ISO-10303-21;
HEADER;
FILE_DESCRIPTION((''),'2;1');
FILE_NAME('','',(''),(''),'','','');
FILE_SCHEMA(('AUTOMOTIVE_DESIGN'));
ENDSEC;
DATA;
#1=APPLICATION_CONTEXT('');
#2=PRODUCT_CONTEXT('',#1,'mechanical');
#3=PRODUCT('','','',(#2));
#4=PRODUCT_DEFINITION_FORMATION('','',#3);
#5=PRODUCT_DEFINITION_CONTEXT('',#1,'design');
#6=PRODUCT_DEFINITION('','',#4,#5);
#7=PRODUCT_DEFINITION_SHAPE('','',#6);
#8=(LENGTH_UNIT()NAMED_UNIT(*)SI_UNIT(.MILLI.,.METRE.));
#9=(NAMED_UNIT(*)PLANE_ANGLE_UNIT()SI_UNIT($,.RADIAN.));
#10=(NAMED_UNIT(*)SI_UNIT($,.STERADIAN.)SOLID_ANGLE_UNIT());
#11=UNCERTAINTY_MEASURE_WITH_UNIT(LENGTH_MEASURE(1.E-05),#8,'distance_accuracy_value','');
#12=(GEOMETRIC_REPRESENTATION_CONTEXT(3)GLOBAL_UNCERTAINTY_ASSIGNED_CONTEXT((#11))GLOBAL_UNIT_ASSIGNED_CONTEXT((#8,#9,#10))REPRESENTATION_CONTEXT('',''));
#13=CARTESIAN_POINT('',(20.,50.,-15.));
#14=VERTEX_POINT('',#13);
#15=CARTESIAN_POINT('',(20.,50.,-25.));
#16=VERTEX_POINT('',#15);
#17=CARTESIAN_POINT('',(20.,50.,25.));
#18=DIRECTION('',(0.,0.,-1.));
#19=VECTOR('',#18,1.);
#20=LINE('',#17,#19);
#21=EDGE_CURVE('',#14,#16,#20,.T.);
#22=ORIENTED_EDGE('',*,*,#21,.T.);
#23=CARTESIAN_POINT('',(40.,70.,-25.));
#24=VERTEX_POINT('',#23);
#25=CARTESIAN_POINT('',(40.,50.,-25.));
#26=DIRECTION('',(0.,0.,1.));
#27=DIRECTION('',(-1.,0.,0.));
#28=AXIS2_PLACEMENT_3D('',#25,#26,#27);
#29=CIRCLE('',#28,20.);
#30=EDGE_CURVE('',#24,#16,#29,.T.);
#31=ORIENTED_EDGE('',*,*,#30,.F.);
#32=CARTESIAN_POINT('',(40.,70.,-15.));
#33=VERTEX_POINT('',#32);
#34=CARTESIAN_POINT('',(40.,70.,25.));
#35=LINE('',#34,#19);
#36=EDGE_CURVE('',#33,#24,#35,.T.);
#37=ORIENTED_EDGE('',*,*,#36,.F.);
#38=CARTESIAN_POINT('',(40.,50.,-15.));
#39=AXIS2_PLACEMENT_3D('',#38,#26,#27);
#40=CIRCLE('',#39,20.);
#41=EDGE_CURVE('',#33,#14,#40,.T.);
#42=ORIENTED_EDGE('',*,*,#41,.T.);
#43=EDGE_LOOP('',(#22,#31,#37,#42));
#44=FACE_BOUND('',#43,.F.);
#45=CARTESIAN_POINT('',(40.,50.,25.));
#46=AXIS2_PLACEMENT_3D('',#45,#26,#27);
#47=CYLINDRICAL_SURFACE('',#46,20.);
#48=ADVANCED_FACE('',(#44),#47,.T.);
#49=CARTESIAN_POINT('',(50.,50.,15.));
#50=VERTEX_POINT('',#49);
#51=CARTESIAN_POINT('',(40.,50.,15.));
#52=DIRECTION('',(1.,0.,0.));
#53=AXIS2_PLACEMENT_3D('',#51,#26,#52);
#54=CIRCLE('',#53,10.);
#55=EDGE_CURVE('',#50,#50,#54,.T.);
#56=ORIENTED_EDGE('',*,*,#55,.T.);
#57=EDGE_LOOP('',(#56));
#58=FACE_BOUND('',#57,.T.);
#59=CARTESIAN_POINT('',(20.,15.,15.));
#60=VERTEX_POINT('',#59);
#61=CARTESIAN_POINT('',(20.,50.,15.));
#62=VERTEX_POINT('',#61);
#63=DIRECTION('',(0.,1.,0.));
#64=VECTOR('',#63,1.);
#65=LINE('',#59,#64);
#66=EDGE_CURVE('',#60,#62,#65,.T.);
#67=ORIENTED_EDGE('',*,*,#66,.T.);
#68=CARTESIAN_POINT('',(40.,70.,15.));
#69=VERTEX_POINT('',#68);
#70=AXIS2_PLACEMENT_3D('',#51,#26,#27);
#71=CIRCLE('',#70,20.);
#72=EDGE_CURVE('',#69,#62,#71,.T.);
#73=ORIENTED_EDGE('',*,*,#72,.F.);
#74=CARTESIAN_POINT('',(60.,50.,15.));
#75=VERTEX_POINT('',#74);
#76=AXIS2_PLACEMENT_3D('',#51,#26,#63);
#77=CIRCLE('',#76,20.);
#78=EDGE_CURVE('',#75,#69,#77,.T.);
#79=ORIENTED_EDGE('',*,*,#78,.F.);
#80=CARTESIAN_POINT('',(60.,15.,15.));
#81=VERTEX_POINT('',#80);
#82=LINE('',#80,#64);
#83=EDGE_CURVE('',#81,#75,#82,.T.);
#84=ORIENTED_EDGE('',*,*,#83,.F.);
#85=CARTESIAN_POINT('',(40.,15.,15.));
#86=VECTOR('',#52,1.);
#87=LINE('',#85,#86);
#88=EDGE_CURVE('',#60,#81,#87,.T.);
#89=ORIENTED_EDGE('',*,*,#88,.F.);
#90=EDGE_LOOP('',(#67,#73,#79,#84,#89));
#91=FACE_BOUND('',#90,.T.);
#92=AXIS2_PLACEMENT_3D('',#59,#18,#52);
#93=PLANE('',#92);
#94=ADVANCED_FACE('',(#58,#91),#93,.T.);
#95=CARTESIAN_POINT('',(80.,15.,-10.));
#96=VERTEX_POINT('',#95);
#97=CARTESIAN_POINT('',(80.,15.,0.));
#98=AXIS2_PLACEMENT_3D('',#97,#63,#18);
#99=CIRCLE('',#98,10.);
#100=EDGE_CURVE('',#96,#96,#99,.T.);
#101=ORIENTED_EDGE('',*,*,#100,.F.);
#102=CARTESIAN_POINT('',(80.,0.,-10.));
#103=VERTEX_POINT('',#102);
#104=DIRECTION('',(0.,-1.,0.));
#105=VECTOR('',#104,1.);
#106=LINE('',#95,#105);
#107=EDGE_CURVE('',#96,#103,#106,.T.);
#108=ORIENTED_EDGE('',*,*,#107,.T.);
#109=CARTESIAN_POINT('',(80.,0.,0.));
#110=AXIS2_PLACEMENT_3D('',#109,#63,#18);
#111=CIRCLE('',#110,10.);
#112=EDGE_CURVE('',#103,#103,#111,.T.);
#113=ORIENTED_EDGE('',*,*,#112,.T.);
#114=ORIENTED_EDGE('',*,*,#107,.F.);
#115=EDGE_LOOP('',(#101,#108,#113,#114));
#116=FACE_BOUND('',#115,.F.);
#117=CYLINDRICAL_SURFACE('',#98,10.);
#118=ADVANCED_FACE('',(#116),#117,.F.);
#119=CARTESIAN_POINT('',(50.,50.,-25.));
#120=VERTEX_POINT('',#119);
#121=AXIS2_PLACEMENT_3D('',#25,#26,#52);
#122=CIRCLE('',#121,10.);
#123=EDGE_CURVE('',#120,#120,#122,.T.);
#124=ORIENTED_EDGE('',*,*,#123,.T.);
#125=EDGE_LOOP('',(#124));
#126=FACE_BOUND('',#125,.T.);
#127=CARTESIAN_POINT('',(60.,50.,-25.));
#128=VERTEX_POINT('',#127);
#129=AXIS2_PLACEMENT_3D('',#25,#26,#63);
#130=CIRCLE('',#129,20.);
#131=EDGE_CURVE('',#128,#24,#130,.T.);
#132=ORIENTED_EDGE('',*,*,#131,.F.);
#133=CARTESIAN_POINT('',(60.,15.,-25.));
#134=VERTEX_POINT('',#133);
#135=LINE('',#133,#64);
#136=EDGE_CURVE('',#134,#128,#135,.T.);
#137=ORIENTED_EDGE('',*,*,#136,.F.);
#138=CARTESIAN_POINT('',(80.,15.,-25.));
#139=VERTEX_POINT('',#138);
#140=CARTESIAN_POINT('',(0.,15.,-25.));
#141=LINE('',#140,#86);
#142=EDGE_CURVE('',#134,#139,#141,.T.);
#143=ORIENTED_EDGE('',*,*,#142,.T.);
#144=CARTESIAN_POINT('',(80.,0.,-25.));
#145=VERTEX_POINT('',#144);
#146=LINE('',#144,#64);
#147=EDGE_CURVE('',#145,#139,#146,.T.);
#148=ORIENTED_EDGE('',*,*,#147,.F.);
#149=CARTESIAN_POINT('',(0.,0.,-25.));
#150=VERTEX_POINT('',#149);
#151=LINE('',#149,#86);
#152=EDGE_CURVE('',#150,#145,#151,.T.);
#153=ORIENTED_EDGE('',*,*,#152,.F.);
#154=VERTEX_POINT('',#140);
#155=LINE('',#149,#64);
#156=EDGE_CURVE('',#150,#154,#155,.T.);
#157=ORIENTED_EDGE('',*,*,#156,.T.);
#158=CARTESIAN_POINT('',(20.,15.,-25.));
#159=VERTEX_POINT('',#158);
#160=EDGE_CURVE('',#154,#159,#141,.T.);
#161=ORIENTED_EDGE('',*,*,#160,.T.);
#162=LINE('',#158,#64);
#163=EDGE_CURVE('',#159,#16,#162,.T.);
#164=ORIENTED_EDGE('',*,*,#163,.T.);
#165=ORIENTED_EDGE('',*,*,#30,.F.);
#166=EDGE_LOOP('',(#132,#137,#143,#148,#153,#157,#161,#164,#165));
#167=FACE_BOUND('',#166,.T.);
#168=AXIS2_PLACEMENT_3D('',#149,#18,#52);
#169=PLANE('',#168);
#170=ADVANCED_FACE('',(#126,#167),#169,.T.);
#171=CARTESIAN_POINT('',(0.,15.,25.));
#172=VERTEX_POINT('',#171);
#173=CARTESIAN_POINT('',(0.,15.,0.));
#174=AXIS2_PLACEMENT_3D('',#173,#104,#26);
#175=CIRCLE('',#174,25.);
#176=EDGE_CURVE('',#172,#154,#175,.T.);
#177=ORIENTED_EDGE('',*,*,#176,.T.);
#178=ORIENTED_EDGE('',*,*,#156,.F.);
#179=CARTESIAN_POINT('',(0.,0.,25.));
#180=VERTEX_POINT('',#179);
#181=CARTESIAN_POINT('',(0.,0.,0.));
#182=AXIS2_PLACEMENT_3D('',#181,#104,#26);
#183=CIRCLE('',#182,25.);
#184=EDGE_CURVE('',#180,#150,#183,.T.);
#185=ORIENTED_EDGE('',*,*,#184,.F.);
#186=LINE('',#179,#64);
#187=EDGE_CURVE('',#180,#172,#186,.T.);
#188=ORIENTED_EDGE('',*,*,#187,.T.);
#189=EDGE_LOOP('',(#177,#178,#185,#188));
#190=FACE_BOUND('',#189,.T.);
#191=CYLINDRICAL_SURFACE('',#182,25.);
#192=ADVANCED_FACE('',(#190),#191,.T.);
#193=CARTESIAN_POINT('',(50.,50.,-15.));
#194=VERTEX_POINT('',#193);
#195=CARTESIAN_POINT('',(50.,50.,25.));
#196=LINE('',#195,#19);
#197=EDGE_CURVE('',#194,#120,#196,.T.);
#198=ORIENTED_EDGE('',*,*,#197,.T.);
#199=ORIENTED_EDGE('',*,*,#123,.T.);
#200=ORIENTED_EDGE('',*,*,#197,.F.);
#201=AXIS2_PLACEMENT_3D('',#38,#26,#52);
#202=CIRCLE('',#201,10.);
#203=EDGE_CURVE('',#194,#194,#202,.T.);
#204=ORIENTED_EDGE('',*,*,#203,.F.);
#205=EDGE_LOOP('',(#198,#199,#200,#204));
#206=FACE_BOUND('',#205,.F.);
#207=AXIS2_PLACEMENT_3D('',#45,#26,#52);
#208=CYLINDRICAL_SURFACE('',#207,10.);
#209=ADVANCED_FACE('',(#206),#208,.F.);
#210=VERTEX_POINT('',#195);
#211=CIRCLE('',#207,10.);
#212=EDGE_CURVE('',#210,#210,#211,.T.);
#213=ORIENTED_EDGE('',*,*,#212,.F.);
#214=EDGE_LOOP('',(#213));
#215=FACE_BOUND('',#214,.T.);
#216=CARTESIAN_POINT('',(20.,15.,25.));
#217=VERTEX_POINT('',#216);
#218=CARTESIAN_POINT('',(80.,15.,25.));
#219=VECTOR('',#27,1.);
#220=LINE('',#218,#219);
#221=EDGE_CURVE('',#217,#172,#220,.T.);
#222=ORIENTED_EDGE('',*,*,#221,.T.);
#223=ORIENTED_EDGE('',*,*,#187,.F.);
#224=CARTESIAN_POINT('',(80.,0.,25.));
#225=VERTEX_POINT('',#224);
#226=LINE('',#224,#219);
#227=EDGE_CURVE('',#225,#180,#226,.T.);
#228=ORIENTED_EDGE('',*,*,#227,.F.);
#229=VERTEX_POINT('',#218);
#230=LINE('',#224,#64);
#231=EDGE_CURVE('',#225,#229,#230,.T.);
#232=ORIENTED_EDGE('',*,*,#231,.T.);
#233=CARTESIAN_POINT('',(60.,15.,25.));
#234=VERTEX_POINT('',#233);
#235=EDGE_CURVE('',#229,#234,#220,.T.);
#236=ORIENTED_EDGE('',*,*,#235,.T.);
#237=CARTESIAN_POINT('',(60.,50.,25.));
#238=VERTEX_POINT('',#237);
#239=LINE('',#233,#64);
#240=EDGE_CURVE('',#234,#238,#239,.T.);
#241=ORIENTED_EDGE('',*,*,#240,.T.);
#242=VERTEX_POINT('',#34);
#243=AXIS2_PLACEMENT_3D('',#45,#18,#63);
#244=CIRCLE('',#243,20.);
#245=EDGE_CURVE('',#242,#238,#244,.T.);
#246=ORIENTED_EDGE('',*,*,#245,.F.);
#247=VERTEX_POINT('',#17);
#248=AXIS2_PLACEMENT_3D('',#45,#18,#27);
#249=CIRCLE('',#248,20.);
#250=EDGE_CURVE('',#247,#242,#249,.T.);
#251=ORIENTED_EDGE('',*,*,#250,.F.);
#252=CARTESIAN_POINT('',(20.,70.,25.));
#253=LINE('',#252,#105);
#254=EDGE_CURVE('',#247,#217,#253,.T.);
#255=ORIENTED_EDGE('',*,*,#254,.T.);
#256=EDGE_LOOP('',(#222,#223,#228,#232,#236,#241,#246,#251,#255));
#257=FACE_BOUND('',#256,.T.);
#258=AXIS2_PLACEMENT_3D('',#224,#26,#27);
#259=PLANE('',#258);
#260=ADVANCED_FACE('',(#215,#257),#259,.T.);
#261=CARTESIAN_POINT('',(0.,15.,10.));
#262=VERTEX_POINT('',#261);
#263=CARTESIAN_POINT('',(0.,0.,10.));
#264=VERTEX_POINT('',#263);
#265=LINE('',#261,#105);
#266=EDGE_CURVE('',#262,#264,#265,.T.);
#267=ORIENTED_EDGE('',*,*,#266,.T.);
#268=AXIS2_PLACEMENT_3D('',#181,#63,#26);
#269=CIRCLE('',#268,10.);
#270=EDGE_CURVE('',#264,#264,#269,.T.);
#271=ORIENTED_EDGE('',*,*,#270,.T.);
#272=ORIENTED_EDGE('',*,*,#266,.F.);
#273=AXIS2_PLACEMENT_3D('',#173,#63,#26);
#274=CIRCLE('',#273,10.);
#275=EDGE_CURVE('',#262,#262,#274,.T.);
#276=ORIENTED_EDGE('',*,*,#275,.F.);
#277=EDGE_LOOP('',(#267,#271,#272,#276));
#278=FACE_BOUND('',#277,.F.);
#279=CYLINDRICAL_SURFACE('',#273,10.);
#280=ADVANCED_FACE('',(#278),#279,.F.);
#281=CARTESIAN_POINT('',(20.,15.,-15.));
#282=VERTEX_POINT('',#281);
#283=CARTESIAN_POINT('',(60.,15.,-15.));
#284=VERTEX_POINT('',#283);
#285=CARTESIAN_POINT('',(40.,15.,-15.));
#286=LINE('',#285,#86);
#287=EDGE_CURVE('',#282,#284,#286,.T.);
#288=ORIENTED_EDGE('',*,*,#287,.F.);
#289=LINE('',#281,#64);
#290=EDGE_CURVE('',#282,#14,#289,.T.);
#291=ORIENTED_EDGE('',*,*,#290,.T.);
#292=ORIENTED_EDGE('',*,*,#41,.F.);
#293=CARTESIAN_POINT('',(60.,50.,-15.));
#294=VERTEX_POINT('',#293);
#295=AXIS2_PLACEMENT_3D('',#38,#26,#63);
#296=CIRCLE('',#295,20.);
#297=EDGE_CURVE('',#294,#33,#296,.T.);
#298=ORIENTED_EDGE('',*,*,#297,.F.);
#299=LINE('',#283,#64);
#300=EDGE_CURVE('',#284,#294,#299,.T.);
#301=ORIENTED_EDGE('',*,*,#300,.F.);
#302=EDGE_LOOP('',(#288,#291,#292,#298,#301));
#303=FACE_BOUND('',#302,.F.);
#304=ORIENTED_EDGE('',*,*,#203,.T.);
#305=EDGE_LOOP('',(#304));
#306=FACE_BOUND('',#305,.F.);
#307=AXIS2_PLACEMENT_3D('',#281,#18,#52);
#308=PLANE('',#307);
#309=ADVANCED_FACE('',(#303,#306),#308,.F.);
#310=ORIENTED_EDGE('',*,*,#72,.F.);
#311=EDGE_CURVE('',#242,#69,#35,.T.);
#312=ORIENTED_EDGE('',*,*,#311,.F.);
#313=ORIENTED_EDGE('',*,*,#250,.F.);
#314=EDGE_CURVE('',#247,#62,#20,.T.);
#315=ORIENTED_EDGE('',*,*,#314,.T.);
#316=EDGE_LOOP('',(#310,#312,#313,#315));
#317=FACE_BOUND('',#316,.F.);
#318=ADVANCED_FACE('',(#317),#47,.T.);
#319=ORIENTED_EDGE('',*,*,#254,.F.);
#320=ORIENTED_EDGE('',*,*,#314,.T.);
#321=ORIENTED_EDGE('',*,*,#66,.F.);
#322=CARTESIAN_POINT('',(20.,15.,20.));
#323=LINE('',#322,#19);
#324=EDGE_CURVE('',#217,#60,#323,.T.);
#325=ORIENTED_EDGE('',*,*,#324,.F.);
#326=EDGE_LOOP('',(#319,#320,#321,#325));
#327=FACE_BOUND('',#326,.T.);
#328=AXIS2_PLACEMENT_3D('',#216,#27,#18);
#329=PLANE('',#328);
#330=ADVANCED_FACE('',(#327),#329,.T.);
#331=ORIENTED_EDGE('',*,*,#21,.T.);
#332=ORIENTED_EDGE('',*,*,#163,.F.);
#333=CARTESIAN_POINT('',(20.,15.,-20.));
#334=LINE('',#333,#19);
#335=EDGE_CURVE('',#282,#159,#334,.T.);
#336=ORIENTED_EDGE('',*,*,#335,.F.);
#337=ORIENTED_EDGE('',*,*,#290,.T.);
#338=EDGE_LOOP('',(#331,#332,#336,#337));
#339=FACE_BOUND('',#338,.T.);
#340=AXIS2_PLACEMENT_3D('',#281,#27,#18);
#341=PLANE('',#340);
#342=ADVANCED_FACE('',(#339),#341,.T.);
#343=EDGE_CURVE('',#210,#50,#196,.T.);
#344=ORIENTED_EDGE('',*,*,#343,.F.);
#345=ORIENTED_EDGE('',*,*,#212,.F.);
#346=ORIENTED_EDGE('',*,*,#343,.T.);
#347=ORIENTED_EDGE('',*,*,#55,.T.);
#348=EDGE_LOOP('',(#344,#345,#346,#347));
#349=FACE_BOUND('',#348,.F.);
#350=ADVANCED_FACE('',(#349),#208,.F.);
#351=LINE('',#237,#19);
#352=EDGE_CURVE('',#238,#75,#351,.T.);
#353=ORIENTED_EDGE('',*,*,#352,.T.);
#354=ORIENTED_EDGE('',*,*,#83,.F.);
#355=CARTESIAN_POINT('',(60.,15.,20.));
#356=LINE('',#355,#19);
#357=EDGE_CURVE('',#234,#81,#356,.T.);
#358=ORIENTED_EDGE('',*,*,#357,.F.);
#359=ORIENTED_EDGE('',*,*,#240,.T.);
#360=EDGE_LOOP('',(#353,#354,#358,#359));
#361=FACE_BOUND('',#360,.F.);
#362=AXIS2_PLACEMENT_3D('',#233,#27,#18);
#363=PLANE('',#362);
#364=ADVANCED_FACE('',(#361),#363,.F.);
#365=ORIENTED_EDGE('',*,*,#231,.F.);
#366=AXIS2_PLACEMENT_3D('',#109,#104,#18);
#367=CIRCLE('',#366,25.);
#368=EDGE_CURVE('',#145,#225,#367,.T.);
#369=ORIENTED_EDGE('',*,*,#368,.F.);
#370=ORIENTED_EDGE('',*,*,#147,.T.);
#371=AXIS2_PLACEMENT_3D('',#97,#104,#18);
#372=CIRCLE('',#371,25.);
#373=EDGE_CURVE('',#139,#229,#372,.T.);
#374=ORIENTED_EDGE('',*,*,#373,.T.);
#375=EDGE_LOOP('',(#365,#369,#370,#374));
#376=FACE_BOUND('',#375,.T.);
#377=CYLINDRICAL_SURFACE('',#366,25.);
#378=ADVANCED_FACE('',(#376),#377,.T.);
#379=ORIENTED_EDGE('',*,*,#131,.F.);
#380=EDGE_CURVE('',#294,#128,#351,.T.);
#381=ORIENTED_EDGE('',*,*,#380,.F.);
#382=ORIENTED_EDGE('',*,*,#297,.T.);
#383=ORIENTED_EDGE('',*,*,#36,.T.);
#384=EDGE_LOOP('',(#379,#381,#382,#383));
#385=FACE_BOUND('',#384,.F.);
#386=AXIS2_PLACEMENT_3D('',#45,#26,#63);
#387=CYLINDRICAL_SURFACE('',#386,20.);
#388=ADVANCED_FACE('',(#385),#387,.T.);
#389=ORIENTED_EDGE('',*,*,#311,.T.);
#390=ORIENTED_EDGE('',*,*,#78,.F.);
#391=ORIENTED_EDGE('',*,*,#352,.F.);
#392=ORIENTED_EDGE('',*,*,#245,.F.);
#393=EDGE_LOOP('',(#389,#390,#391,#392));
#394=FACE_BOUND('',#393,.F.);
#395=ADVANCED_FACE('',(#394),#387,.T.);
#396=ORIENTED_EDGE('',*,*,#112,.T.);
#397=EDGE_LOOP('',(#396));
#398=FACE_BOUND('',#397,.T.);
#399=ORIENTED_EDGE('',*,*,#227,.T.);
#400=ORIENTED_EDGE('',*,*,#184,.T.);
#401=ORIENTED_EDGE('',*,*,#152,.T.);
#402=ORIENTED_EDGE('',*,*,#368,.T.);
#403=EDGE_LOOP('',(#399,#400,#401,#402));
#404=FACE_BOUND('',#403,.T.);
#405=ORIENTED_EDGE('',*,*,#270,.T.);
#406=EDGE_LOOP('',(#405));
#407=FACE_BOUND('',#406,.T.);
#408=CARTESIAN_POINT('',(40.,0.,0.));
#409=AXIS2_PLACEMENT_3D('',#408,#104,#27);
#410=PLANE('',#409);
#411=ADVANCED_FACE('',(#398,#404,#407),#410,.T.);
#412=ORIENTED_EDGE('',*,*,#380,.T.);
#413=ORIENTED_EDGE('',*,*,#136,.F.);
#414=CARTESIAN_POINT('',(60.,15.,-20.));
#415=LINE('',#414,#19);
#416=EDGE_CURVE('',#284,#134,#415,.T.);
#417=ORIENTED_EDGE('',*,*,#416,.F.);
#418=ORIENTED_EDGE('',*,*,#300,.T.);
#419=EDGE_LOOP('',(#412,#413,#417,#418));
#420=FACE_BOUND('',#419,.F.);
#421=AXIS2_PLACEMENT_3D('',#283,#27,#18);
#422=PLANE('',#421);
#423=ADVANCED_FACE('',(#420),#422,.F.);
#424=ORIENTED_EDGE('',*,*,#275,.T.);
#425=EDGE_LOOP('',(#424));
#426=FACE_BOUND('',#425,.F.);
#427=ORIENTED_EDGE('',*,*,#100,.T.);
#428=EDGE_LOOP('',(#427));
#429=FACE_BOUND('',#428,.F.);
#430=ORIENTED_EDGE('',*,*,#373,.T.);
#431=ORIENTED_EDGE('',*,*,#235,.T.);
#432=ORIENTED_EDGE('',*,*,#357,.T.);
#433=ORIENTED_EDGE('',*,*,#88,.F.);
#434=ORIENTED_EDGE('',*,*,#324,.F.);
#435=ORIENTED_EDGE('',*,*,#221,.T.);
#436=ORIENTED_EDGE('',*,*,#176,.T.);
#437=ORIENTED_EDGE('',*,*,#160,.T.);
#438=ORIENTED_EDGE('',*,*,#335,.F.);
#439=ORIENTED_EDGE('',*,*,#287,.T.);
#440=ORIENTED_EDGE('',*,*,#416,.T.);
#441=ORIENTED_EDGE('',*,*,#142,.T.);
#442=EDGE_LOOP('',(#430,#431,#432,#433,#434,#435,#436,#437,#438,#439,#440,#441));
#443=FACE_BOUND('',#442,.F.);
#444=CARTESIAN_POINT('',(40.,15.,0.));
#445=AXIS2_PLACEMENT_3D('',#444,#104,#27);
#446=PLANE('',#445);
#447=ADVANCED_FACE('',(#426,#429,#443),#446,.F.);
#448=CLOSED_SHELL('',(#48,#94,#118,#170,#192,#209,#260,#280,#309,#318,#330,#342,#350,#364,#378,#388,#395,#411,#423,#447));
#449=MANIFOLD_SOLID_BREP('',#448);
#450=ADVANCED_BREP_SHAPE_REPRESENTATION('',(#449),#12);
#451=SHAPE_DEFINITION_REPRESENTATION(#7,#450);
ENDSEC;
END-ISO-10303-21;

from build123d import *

# Parameters (mm, degrees)
BOSS_EXTRUDE1_DEPTH     = 15
SKETCH2_R               = 10
CUT_EXTRUDE1_DEPTH      = 109.972473589
SKETCH3_W               = 40
SKETCH3_H               = 10
BOSS_EXTRUDE2_DEPTH     = 55
CUT_EXTRUDE2_DEPTH      = 136.738719605
CUT_EXTRUDE2_DEPTH_BACK = 136.738719605


with BuildPart() as part:
    # Sketch1 → Boss-Extrude1 (new body)
    with BuildSketch(Plane(origin=(0, 0, 0), x_dir=(1, 0, 0), z_dir=(0, 1, 0))):
        with BuildLine():
            Line((0, 25), (80, 25))
            ThreePointArc((80, 25), (105, 0), (80, -25))
            Line((80, -25), (0, -25))
            ThreePointArc((0, -25), (-25, 0), (0, 25))
        make_face()
    extrude(amount=BOSS_EXTRUDE1_DEPTH)

    # Sketch2 → Cut-Extrude1 (cut, through all)
    with BuildSketch(Plane(origin=(0, 15, 0), x_dir=(1, 0, 0), z_dir=(0, 1, 0))):
        with Locations(Location((0, 0, 0), (0, 0, 270))):
            Circle(SKETCH2_R)
        with Locations(Location((80, 0, 0), (0, 0, 90))):
            Circle(SKETCH2_R)
    extrude(amount=-CUT_EXTRUDE1_DEPTH, mode=Mode.SUBTRACT)

    # Sketch3 → Boss-Extrude2 (add)
    with BuildSketch(Plane(origin=(0, 15, 0), x_dir=(1, 0, 0), z_dir=(0, 1, 0))):
        with Locations((40, 20)):
            Rectangle(SKETCH3_W, SKETCH3_H)
        with Locations((40, -20)):
            Rectangle(SKETCH3_W, SKETCH3_H)
    extrude(amount=BOSS_EXTRUDE2_DEPTH)

    # Sketch4 → Cut-Extrude2 (cut, two sides)
    with BuildSketch(Plane.XY.offset(25)) as cut_extrude2_sk:
        with BuildLine():
            ThreePointArc((30, 50), (40, 40), (50, 50))
            Line((50, 50), (30, 50))
        make_face()
        with BuildLine():
            Line((30, 50), (50, 50))
            ThreePointArc((50, 50), (40, 60), (30, 50))
        make_face()
        with BuildLine():
            ThreePointArc((40, 70), (54.142135624, 64.142135624), (60, 50))
            Line((60, 50), (60, 70))
            Line((60, 70), (40, 70))
        make_face()
        with BuildLine():
            ThreePointArc((20, 50), (25.857864376, 64.142135624), (40, 70))
            Line((40, 70), (20, 70))
            Line((20, 70), (20, 50))
        make_face()
    extrude(amount=CUT_EXTRUDE2_DEPTH, mode=Mode.SUBTRACT)
    extrude(cut_extrude2_sk.sketch, amount=-CUT_EXTRUDE2_DEPTH_BACK, mode=Mode.SUBTRACT)


solid = part.part
